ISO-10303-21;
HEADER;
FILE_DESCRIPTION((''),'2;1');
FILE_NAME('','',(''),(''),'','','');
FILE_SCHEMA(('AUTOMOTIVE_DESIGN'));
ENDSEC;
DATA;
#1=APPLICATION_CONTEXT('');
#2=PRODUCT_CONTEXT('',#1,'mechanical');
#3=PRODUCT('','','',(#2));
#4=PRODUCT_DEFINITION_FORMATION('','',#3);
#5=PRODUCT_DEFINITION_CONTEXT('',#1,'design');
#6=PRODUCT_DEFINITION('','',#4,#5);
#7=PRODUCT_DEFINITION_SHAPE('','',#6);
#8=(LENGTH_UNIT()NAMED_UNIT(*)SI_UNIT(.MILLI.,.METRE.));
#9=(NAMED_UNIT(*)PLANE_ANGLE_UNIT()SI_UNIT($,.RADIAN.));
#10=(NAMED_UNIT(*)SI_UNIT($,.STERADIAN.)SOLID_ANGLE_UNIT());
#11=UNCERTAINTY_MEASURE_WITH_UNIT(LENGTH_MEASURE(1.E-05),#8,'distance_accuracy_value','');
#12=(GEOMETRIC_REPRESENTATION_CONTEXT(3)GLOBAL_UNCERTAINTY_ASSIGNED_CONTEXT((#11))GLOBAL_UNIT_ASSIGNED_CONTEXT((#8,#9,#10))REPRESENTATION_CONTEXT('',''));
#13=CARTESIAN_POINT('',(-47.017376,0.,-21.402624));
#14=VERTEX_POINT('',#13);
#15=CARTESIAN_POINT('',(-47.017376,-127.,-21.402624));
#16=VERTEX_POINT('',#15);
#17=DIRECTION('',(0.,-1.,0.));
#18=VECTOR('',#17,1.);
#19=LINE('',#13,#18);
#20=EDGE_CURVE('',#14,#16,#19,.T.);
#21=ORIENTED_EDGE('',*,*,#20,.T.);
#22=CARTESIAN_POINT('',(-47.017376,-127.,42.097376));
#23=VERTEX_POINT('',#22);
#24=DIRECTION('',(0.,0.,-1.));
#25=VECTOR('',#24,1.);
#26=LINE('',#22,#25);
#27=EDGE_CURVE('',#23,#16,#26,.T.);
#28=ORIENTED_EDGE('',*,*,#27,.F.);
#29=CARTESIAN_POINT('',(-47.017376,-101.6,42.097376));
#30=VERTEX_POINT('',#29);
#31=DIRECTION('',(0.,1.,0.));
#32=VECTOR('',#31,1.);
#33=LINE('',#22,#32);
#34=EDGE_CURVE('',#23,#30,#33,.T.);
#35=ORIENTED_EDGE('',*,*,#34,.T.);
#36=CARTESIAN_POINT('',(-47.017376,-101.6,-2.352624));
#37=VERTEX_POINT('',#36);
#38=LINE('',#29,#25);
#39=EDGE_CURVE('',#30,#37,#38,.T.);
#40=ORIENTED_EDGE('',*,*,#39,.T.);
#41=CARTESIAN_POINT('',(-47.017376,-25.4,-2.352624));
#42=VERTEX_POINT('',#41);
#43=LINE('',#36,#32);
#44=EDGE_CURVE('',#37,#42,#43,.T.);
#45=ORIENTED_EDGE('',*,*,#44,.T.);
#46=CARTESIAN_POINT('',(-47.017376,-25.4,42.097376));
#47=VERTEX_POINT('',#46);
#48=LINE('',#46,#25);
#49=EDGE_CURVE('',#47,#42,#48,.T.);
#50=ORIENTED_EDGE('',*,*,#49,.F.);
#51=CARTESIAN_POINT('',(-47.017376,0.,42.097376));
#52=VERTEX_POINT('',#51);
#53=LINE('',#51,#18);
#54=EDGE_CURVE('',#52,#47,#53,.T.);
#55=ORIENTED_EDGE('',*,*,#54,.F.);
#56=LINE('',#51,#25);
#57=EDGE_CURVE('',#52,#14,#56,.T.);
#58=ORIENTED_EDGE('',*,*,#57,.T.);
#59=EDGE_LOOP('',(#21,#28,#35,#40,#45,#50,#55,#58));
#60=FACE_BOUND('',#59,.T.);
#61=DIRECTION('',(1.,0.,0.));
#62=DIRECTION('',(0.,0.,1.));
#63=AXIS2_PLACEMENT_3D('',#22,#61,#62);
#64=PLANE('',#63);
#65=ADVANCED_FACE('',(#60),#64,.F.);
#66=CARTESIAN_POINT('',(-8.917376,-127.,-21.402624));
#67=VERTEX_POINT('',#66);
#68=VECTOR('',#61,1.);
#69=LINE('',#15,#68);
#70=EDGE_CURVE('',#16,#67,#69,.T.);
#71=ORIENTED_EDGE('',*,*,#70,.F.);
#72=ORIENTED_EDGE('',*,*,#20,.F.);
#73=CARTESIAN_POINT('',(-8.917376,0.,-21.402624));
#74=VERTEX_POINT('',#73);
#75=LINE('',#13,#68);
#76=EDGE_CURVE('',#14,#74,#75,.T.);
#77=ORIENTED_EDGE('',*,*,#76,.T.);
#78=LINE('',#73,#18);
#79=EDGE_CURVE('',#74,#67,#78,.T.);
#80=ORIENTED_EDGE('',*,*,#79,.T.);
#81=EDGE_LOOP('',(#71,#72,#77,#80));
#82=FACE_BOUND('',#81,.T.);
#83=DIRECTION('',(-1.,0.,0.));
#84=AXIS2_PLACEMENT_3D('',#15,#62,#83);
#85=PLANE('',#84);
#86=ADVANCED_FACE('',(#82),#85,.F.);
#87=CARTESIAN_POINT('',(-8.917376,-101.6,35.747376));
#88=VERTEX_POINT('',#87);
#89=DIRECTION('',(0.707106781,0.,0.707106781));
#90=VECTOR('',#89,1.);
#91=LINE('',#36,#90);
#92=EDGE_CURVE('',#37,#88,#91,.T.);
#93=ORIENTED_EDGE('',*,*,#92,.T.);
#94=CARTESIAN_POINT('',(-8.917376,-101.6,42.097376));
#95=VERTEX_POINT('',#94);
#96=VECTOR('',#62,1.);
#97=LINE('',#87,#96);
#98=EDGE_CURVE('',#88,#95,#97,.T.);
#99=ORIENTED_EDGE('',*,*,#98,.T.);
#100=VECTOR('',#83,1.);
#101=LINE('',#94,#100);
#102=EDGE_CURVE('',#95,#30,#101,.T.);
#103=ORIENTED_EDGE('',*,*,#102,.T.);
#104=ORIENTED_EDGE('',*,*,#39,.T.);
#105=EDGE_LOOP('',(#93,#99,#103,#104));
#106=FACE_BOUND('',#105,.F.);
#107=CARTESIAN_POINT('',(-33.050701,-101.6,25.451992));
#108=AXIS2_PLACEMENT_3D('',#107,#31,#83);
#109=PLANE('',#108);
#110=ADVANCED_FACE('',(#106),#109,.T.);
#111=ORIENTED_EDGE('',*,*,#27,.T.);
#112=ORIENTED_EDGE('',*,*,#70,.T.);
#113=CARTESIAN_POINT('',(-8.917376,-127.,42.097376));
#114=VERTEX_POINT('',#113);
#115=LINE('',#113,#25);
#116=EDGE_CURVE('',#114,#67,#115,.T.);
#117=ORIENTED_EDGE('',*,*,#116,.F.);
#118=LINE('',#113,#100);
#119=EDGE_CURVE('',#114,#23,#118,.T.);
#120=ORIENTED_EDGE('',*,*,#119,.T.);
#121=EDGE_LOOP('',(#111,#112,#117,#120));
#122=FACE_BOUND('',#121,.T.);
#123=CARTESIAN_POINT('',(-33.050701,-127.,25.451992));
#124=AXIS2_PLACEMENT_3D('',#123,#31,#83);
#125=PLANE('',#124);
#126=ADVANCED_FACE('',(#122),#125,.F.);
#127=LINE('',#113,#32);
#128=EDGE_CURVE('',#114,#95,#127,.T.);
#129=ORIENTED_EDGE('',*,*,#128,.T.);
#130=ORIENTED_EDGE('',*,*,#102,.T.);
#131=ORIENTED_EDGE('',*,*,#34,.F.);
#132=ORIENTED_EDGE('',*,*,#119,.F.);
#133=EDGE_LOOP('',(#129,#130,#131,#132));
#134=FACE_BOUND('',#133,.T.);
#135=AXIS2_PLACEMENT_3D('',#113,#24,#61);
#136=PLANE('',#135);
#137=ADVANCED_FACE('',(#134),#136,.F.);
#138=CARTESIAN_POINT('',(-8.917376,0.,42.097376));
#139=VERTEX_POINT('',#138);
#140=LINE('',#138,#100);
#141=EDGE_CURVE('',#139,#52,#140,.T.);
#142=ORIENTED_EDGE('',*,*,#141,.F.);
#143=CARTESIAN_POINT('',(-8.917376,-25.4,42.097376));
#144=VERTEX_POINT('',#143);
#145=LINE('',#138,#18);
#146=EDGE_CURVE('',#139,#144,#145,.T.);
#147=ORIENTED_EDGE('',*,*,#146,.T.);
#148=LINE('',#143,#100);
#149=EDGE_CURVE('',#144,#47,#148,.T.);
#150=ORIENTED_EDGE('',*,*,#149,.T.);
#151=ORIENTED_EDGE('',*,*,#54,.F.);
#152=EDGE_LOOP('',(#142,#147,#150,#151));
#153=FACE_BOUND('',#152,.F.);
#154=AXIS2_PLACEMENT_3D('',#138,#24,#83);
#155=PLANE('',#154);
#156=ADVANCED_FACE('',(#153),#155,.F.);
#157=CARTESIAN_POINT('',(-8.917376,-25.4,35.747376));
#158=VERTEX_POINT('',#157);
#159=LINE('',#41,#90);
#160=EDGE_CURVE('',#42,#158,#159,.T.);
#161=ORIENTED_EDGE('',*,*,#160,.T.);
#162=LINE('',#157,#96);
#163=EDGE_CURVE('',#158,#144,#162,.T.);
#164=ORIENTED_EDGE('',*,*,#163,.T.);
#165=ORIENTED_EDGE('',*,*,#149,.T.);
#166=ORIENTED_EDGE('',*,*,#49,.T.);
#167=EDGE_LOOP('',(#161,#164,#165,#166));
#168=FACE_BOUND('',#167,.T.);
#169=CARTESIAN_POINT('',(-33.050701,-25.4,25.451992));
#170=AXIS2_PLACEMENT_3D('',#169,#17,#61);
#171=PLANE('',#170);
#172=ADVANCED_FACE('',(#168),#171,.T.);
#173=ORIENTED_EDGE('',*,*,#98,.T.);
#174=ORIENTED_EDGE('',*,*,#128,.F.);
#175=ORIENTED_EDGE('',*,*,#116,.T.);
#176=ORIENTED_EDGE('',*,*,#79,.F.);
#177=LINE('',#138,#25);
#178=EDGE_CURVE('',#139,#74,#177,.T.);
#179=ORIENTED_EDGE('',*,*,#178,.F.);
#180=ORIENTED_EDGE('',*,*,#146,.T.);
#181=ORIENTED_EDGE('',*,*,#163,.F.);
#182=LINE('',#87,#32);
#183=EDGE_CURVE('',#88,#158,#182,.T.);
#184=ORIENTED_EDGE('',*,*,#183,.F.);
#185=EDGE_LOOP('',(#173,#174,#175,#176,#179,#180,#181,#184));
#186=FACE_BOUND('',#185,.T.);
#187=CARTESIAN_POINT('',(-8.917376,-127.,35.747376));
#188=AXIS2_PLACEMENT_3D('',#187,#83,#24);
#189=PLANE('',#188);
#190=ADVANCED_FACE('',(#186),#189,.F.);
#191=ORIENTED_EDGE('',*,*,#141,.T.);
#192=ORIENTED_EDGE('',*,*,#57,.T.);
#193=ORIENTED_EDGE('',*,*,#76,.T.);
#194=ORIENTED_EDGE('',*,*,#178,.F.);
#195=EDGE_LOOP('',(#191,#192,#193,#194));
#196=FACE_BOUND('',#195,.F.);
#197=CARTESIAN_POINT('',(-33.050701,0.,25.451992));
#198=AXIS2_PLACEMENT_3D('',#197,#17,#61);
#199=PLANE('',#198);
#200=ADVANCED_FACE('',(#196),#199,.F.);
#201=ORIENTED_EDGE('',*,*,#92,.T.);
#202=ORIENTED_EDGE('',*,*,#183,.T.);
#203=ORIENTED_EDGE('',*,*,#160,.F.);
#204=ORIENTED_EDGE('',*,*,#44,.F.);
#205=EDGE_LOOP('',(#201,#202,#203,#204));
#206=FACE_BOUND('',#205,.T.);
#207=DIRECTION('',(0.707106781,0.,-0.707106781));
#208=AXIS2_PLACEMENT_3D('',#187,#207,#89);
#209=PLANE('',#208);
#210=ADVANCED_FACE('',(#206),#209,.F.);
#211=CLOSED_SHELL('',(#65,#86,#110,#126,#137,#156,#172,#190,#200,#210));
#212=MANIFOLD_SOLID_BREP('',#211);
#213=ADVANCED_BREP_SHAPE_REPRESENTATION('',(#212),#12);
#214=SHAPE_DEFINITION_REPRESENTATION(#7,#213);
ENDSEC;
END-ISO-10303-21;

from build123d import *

# Parameters (mm, degrees)
F1_DEPTH = 63.5
F2_DEPTH = 25.4


with BuildPart() as f1:
    # F0 (on Front) → F1 (new body)
    with BuildSketch(Plane.XZ):
        Polygon((-47.017376, -2.352624), (-47.017376, -21.402624), (-8.917376, -21.402624), (-8.917376, 35.747376), align=None)
    extrude(amount=F1_DEPTH)

    # F0 (on Front) → F2 (join)
    with BuildSketch(Plane.XZ):
        Polygon((-47.017376, 42.097376), (-47.017376, -2.352624), (-8.917376, 35.747376), (-8.917376, 42.097376), align=None)
    extrude(amount=F2_DEPTH)

    # F3: F1 across face


with BuildPart() as f1_1:
    add(f1.part)
    add(f1.part.mirror(Plane(origin=(-24.792376, -63.5, -0.765124), x_dir=(1, 0, 0), z_dir=(0, -1, 0))))


solid = f1_1.part
